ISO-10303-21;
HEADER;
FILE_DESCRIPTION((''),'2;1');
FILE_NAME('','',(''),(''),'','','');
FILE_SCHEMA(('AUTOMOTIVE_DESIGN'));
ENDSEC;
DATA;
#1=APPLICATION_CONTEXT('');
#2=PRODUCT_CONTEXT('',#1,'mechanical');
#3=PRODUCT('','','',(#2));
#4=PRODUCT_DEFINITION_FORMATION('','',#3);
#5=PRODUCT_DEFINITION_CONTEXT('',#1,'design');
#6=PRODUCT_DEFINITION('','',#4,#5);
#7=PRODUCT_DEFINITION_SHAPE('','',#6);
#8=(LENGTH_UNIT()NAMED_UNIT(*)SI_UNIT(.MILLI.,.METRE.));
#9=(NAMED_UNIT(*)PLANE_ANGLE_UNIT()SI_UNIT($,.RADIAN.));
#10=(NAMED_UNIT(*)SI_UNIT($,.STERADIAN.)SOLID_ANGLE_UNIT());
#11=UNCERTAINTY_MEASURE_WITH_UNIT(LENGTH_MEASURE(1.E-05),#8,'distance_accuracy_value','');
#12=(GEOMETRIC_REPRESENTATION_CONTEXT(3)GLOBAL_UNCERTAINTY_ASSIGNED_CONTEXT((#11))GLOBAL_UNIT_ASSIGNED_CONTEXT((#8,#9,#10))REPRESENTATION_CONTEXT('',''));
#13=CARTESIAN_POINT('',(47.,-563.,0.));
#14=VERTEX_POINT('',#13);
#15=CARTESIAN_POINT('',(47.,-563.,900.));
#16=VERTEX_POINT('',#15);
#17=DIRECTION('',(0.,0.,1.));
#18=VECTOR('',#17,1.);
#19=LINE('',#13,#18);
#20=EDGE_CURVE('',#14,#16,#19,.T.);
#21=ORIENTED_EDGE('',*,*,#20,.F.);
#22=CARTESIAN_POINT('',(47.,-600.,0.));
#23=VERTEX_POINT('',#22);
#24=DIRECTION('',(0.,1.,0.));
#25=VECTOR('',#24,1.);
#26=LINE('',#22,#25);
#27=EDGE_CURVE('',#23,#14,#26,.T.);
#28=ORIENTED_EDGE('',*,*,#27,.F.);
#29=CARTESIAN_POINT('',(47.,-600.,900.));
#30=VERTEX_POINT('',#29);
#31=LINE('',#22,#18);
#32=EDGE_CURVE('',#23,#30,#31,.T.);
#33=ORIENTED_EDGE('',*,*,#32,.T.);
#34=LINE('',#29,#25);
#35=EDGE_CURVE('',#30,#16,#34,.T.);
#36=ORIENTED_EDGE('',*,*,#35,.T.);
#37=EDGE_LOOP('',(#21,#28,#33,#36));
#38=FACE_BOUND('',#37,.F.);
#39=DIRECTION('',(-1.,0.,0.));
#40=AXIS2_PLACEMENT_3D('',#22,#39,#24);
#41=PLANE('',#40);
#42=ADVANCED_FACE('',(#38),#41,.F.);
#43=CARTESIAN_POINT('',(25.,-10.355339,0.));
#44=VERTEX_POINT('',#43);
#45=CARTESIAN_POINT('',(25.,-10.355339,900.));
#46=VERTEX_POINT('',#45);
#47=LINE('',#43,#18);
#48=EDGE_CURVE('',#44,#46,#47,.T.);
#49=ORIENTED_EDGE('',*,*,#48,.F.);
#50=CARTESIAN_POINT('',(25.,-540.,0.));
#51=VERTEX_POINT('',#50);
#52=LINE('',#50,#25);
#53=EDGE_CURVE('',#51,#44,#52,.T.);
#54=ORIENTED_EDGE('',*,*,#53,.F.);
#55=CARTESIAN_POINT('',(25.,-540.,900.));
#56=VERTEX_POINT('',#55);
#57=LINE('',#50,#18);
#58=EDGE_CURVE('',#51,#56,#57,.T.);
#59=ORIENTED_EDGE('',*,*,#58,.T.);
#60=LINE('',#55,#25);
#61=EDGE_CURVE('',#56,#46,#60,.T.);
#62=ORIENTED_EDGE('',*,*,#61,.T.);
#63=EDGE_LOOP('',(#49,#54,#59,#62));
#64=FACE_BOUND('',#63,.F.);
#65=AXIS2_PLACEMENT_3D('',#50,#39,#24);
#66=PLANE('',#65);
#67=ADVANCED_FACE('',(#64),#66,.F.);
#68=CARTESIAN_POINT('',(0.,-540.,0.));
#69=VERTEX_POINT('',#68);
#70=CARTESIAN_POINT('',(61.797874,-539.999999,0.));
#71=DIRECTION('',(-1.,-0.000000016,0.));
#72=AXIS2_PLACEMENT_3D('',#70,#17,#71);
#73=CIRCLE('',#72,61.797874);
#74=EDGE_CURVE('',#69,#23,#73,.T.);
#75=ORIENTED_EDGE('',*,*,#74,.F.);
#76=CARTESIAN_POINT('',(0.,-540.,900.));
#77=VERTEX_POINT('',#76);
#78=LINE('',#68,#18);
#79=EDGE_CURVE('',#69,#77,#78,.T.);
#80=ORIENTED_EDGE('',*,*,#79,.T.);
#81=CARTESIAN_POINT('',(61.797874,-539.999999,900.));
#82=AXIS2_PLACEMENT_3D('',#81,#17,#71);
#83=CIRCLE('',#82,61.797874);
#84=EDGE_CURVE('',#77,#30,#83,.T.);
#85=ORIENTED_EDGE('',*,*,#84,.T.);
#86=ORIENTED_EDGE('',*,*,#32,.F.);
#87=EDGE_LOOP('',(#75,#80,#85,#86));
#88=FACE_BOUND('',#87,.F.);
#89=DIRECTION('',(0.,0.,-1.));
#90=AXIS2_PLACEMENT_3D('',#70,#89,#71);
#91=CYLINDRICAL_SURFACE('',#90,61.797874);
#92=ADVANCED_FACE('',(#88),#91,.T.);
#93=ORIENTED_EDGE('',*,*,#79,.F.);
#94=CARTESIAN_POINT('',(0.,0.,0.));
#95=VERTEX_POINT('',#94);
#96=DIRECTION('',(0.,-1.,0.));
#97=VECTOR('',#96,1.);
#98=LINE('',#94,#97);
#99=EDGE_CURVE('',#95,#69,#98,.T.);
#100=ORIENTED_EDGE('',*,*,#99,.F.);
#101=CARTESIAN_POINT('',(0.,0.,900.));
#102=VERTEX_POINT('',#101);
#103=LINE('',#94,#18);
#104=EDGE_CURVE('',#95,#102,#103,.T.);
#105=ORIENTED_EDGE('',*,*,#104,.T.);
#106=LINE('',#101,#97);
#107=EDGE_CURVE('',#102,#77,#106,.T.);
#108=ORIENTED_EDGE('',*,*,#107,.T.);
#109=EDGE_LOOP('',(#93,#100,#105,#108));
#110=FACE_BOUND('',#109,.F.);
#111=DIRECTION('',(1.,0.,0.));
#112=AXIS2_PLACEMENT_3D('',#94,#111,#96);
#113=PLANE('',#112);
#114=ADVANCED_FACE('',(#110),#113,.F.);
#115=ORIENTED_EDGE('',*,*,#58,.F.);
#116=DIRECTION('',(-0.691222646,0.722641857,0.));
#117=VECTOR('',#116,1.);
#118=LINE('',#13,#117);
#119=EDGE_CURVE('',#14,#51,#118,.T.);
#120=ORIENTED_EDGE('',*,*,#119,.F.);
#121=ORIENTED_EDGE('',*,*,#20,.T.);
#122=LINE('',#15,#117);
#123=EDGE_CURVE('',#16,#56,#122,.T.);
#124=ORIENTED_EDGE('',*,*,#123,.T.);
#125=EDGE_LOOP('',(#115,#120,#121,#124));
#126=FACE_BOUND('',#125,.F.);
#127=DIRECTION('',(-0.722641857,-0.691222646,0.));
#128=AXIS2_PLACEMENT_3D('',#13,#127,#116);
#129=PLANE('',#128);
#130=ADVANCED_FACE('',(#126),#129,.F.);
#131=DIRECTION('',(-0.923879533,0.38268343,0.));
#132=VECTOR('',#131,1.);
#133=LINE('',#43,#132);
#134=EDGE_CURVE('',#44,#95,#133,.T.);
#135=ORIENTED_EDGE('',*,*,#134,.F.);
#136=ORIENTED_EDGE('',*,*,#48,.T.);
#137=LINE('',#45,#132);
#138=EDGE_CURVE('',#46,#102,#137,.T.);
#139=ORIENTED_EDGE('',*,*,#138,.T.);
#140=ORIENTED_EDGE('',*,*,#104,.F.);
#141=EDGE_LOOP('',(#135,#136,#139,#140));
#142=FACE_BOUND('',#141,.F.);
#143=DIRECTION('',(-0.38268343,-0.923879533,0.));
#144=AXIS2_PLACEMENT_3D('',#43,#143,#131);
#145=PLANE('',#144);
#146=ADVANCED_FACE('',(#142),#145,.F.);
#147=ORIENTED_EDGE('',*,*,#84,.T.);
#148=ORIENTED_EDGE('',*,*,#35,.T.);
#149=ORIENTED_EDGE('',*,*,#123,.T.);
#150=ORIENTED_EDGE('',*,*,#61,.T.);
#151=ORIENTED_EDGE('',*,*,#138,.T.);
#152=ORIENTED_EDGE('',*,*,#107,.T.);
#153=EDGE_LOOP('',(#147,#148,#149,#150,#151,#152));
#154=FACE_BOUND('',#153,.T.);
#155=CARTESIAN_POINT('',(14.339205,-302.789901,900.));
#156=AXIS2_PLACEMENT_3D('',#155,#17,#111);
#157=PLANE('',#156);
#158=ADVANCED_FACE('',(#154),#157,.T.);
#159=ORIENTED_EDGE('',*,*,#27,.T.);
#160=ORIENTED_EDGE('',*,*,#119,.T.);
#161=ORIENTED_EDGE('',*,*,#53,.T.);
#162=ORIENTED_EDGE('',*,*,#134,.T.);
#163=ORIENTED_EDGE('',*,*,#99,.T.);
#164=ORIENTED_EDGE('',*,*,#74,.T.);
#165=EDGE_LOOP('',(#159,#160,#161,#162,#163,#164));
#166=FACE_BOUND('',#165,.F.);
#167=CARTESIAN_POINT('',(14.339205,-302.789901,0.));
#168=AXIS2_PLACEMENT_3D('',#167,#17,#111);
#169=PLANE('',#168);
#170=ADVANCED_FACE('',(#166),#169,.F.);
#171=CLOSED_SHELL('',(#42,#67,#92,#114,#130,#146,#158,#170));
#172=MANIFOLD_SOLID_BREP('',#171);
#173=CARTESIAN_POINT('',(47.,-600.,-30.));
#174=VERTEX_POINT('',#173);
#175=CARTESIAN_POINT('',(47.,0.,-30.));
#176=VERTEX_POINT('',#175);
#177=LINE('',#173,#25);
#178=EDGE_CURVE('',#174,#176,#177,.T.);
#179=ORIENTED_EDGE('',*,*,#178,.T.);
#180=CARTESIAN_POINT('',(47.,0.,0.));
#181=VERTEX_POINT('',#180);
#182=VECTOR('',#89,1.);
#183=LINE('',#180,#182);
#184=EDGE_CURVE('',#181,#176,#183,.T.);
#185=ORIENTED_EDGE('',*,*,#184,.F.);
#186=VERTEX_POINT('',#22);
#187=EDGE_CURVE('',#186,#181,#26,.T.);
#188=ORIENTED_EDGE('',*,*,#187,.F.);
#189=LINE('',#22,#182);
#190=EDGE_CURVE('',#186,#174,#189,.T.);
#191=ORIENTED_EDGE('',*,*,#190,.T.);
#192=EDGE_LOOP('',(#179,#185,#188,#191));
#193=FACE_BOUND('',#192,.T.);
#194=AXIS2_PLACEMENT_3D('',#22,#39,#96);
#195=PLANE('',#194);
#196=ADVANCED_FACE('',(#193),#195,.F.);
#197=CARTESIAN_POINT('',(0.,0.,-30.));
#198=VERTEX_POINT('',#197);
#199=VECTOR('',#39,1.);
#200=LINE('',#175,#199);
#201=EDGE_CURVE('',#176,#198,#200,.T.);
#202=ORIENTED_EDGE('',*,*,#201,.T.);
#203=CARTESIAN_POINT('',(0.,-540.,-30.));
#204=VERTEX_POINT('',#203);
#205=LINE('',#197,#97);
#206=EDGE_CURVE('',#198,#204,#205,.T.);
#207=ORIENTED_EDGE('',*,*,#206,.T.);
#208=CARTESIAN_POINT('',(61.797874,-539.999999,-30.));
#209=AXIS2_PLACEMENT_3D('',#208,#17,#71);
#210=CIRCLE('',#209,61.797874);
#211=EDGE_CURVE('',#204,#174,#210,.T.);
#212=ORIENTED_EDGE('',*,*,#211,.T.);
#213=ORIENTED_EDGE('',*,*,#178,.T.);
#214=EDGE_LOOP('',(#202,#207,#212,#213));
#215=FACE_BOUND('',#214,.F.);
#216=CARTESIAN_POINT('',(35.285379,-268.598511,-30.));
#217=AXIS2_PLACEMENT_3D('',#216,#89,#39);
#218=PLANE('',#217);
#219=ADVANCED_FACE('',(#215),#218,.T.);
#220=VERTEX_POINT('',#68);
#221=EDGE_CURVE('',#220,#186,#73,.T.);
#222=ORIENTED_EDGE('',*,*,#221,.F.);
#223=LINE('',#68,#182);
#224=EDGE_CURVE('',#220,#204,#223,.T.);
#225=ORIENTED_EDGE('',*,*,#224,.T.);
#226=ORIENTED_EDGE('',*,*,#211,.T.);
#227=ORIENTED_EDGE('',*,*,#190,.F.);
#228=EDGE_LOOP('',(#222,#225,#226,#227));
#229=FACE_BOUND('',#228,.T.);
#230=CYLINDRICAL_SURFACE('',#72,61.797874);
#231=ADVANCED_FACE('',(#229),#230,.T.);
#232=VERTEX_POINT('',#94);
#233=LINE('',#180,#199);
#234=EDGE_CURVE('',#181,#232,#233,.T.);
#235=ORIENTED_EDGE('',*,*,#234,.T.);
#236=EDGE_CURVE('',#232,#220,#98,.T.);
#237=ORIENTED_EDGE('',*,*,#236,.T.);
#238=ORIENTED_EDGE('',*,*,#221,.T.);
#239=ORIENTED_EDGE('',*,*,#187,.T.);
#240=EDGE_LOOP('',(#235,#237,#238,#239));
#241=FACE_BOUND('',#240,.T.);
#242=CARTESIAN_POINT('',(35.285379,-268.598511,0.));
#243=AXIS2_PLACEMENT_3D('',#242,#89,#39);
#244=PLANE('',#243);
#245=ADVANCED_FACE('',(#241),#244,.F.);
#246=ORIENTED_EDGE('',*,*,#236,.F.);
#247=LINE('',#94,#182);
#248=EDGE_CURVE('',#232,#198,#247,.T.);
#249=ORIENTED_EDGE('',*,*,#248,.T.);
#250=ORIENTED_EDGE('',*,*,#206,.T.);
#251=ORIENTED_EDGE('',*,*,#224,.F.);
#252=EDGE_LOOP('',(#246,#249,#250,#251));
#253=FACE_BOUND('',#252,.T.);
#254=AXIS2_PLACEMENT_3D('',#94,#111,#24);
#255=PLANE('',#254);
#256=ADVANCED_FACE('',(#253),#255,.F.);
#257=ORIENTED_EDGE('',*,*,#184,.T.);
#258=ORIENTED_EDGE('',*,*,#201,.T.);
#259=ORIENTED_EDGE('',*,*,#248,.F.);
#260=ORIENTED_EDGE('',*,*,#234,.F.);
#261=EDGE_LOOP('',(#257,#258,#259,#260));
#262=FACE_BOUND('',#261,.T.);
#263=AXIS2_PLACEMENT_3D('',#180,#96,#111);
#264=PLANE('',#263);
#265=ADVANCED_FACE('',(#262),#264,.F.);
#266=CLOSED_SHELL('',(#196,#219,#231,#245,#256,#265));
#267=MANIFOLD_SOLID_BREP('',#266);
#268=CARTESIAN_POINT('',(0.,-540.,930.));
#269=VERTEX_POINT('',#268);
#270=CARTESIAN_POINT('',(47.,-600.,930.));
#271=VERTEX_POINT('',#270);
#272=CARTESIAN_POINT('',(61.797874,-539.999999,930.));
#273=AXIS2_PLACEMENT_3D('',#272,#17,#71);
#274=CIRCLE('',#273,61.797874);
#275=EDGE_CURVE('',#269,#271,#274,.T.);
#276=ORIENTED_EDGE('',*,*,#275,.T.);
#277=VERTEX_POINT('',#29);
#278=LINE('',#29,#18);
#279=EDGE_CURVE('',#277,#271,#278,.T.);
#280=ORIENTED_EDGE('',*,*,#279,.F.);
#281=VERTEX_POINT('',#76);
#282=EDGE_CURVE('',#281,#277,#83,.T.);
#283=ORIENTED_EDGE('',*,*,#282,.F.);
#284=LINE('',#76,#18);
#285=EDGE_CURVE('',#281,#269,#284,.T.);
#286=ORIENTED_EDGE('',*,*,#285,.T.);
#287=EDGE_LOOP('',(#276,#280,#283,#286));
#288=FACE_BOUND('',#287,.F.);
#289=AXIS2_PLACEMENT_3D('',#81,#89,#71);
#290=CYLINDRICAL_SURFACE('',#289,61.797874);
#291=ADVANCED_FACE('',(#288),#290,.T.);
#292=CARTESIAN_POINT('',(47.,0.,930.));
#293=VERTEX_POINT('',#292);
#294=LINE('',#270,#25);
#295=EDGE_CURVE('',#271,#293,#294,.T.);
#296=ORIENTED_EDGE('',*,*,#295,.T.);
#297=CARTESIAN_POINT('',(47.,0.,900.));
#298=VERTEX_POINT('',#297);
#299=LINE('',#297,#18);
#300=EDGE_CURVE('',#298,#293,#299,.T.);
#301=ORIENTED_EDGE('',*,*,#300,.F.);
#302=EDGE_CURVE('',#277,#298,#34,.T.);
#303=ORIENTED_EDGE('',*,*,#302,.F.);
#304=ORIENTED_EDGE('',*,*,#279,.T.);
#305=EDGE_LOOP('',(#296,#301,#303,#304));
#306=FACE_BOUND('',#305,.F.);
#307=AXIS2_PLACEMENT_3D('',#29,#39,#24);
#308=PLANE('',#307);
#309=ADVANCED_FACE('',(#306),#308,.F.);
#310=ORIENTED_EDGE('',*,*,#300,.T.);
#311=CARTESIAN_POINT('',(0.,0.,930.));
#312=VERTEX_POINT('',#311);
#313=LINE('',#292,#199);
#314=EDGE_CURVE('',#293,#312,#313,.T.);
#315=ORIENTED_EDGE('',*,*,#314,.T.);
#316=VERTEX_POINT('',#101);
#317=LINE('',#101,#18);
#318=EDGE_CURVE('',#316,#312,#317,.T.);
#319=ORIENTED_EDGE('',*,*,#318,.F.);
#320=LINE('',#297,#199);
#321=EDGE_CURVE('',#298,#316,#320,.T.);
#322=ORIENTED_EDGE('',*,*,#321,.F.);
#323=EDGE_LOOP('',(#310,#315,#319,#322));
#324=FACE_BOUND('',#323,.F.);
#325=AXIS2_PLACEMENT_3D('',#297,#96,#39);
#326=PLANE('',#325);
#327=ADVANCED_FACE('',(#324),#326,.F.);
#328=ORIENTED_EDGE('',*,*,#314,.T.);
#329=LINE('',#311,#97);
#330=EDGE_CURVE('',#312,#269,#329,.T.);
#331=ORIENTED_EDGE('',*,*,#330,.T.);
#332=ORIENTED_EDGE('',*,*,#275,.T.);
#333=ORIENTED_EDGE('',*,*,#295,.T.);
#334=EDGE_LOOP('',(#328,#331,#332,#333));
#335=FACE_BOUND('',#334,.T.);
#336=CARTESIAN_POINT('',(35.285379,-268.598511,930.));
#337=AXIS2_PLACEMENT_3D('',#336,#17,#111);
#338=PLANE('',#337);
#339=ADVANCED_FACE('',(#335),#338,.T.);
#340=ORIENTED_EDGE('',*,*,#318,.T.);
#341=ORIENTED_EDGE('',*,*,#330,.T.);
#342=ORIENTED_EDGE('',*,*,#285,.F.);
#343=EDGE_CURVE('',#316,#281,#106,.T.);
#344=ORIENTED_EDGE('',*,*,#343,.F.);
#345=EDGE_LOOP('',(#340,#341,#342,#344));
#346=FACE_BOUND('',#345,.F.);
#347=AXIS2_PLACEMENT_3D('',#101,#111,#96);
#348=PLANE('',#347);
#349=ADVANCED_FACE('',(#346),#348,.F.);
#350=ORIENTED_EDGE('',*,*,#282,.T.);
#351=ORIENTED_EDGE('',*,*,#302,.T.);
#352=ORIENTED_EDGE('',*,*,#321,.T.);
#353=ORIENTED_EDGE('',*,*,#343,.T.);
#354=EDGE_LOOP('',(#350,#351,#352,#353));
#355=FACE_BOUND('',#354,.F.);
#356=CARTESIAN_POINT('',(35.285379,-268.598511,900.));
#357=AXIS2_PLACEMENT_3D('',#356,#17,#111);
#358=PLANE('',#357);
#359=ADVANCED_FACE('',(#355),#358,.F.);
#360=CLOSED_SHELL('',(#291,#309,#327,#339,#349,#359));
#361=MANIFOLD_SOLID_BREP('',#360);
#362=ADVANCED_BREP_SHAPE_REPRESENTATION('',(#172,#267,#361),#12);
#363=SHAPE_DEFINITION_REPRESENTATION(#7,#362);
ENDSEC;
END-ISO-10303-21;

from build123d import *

# Parameters (mm, degrees)
F1_DEPTH = 900
F3_DEPTH = 30


with BuildPart() as f1:
    # F0 (on Top) → F1 (new body)
    with BuildSketch(Plane.XY):
        with BuildLine():
            Line((25, -540), (25, -10.355339))
            Line((25, -10.355339), (0, 0))
            Line((0, 0), (0, -540))
            ThreePointArc((0, -540), (13.148854, -578.108398), (47, -600))
            Line((47, -600), (47, -563))
            Line((47, -563), (25, -540))
        make_face()
    extrude(amount=F1_DEPTH)


with BuildPart() as f3:
    # F2 (on face) → F3 (new body)
    with BuildSketch(Plane.XY.offset(900)):
        Polygon((47, 0), (0, 0), (25, -10.355339), (25, -540), (47, -563), align=None)
        with BuildLine():
            Line((25, -10.355339), (0, 0))
            Line((0, 0), (0, -540))
            ThreePointArc((0, -540), (13.148854, -578.108398), (47, -600))
            Line((47, -600), (47, -563))
            Line((47, -563), (25, -540))
            Line((25, -540), (25, -10.355339))
        make_face()
    extrude(amount=F3_DEPTH)


with BuildPart() as f5_1:
    # F5: instance of F3
    add(f3.part.mirror(Plane(origin=(14.064969, -308.163629, 450), x_dir=(1, 0, 0), z_dir=(0, 0, 1))))


solid = Compound([f1.part, f3.part, f5_1.part])
